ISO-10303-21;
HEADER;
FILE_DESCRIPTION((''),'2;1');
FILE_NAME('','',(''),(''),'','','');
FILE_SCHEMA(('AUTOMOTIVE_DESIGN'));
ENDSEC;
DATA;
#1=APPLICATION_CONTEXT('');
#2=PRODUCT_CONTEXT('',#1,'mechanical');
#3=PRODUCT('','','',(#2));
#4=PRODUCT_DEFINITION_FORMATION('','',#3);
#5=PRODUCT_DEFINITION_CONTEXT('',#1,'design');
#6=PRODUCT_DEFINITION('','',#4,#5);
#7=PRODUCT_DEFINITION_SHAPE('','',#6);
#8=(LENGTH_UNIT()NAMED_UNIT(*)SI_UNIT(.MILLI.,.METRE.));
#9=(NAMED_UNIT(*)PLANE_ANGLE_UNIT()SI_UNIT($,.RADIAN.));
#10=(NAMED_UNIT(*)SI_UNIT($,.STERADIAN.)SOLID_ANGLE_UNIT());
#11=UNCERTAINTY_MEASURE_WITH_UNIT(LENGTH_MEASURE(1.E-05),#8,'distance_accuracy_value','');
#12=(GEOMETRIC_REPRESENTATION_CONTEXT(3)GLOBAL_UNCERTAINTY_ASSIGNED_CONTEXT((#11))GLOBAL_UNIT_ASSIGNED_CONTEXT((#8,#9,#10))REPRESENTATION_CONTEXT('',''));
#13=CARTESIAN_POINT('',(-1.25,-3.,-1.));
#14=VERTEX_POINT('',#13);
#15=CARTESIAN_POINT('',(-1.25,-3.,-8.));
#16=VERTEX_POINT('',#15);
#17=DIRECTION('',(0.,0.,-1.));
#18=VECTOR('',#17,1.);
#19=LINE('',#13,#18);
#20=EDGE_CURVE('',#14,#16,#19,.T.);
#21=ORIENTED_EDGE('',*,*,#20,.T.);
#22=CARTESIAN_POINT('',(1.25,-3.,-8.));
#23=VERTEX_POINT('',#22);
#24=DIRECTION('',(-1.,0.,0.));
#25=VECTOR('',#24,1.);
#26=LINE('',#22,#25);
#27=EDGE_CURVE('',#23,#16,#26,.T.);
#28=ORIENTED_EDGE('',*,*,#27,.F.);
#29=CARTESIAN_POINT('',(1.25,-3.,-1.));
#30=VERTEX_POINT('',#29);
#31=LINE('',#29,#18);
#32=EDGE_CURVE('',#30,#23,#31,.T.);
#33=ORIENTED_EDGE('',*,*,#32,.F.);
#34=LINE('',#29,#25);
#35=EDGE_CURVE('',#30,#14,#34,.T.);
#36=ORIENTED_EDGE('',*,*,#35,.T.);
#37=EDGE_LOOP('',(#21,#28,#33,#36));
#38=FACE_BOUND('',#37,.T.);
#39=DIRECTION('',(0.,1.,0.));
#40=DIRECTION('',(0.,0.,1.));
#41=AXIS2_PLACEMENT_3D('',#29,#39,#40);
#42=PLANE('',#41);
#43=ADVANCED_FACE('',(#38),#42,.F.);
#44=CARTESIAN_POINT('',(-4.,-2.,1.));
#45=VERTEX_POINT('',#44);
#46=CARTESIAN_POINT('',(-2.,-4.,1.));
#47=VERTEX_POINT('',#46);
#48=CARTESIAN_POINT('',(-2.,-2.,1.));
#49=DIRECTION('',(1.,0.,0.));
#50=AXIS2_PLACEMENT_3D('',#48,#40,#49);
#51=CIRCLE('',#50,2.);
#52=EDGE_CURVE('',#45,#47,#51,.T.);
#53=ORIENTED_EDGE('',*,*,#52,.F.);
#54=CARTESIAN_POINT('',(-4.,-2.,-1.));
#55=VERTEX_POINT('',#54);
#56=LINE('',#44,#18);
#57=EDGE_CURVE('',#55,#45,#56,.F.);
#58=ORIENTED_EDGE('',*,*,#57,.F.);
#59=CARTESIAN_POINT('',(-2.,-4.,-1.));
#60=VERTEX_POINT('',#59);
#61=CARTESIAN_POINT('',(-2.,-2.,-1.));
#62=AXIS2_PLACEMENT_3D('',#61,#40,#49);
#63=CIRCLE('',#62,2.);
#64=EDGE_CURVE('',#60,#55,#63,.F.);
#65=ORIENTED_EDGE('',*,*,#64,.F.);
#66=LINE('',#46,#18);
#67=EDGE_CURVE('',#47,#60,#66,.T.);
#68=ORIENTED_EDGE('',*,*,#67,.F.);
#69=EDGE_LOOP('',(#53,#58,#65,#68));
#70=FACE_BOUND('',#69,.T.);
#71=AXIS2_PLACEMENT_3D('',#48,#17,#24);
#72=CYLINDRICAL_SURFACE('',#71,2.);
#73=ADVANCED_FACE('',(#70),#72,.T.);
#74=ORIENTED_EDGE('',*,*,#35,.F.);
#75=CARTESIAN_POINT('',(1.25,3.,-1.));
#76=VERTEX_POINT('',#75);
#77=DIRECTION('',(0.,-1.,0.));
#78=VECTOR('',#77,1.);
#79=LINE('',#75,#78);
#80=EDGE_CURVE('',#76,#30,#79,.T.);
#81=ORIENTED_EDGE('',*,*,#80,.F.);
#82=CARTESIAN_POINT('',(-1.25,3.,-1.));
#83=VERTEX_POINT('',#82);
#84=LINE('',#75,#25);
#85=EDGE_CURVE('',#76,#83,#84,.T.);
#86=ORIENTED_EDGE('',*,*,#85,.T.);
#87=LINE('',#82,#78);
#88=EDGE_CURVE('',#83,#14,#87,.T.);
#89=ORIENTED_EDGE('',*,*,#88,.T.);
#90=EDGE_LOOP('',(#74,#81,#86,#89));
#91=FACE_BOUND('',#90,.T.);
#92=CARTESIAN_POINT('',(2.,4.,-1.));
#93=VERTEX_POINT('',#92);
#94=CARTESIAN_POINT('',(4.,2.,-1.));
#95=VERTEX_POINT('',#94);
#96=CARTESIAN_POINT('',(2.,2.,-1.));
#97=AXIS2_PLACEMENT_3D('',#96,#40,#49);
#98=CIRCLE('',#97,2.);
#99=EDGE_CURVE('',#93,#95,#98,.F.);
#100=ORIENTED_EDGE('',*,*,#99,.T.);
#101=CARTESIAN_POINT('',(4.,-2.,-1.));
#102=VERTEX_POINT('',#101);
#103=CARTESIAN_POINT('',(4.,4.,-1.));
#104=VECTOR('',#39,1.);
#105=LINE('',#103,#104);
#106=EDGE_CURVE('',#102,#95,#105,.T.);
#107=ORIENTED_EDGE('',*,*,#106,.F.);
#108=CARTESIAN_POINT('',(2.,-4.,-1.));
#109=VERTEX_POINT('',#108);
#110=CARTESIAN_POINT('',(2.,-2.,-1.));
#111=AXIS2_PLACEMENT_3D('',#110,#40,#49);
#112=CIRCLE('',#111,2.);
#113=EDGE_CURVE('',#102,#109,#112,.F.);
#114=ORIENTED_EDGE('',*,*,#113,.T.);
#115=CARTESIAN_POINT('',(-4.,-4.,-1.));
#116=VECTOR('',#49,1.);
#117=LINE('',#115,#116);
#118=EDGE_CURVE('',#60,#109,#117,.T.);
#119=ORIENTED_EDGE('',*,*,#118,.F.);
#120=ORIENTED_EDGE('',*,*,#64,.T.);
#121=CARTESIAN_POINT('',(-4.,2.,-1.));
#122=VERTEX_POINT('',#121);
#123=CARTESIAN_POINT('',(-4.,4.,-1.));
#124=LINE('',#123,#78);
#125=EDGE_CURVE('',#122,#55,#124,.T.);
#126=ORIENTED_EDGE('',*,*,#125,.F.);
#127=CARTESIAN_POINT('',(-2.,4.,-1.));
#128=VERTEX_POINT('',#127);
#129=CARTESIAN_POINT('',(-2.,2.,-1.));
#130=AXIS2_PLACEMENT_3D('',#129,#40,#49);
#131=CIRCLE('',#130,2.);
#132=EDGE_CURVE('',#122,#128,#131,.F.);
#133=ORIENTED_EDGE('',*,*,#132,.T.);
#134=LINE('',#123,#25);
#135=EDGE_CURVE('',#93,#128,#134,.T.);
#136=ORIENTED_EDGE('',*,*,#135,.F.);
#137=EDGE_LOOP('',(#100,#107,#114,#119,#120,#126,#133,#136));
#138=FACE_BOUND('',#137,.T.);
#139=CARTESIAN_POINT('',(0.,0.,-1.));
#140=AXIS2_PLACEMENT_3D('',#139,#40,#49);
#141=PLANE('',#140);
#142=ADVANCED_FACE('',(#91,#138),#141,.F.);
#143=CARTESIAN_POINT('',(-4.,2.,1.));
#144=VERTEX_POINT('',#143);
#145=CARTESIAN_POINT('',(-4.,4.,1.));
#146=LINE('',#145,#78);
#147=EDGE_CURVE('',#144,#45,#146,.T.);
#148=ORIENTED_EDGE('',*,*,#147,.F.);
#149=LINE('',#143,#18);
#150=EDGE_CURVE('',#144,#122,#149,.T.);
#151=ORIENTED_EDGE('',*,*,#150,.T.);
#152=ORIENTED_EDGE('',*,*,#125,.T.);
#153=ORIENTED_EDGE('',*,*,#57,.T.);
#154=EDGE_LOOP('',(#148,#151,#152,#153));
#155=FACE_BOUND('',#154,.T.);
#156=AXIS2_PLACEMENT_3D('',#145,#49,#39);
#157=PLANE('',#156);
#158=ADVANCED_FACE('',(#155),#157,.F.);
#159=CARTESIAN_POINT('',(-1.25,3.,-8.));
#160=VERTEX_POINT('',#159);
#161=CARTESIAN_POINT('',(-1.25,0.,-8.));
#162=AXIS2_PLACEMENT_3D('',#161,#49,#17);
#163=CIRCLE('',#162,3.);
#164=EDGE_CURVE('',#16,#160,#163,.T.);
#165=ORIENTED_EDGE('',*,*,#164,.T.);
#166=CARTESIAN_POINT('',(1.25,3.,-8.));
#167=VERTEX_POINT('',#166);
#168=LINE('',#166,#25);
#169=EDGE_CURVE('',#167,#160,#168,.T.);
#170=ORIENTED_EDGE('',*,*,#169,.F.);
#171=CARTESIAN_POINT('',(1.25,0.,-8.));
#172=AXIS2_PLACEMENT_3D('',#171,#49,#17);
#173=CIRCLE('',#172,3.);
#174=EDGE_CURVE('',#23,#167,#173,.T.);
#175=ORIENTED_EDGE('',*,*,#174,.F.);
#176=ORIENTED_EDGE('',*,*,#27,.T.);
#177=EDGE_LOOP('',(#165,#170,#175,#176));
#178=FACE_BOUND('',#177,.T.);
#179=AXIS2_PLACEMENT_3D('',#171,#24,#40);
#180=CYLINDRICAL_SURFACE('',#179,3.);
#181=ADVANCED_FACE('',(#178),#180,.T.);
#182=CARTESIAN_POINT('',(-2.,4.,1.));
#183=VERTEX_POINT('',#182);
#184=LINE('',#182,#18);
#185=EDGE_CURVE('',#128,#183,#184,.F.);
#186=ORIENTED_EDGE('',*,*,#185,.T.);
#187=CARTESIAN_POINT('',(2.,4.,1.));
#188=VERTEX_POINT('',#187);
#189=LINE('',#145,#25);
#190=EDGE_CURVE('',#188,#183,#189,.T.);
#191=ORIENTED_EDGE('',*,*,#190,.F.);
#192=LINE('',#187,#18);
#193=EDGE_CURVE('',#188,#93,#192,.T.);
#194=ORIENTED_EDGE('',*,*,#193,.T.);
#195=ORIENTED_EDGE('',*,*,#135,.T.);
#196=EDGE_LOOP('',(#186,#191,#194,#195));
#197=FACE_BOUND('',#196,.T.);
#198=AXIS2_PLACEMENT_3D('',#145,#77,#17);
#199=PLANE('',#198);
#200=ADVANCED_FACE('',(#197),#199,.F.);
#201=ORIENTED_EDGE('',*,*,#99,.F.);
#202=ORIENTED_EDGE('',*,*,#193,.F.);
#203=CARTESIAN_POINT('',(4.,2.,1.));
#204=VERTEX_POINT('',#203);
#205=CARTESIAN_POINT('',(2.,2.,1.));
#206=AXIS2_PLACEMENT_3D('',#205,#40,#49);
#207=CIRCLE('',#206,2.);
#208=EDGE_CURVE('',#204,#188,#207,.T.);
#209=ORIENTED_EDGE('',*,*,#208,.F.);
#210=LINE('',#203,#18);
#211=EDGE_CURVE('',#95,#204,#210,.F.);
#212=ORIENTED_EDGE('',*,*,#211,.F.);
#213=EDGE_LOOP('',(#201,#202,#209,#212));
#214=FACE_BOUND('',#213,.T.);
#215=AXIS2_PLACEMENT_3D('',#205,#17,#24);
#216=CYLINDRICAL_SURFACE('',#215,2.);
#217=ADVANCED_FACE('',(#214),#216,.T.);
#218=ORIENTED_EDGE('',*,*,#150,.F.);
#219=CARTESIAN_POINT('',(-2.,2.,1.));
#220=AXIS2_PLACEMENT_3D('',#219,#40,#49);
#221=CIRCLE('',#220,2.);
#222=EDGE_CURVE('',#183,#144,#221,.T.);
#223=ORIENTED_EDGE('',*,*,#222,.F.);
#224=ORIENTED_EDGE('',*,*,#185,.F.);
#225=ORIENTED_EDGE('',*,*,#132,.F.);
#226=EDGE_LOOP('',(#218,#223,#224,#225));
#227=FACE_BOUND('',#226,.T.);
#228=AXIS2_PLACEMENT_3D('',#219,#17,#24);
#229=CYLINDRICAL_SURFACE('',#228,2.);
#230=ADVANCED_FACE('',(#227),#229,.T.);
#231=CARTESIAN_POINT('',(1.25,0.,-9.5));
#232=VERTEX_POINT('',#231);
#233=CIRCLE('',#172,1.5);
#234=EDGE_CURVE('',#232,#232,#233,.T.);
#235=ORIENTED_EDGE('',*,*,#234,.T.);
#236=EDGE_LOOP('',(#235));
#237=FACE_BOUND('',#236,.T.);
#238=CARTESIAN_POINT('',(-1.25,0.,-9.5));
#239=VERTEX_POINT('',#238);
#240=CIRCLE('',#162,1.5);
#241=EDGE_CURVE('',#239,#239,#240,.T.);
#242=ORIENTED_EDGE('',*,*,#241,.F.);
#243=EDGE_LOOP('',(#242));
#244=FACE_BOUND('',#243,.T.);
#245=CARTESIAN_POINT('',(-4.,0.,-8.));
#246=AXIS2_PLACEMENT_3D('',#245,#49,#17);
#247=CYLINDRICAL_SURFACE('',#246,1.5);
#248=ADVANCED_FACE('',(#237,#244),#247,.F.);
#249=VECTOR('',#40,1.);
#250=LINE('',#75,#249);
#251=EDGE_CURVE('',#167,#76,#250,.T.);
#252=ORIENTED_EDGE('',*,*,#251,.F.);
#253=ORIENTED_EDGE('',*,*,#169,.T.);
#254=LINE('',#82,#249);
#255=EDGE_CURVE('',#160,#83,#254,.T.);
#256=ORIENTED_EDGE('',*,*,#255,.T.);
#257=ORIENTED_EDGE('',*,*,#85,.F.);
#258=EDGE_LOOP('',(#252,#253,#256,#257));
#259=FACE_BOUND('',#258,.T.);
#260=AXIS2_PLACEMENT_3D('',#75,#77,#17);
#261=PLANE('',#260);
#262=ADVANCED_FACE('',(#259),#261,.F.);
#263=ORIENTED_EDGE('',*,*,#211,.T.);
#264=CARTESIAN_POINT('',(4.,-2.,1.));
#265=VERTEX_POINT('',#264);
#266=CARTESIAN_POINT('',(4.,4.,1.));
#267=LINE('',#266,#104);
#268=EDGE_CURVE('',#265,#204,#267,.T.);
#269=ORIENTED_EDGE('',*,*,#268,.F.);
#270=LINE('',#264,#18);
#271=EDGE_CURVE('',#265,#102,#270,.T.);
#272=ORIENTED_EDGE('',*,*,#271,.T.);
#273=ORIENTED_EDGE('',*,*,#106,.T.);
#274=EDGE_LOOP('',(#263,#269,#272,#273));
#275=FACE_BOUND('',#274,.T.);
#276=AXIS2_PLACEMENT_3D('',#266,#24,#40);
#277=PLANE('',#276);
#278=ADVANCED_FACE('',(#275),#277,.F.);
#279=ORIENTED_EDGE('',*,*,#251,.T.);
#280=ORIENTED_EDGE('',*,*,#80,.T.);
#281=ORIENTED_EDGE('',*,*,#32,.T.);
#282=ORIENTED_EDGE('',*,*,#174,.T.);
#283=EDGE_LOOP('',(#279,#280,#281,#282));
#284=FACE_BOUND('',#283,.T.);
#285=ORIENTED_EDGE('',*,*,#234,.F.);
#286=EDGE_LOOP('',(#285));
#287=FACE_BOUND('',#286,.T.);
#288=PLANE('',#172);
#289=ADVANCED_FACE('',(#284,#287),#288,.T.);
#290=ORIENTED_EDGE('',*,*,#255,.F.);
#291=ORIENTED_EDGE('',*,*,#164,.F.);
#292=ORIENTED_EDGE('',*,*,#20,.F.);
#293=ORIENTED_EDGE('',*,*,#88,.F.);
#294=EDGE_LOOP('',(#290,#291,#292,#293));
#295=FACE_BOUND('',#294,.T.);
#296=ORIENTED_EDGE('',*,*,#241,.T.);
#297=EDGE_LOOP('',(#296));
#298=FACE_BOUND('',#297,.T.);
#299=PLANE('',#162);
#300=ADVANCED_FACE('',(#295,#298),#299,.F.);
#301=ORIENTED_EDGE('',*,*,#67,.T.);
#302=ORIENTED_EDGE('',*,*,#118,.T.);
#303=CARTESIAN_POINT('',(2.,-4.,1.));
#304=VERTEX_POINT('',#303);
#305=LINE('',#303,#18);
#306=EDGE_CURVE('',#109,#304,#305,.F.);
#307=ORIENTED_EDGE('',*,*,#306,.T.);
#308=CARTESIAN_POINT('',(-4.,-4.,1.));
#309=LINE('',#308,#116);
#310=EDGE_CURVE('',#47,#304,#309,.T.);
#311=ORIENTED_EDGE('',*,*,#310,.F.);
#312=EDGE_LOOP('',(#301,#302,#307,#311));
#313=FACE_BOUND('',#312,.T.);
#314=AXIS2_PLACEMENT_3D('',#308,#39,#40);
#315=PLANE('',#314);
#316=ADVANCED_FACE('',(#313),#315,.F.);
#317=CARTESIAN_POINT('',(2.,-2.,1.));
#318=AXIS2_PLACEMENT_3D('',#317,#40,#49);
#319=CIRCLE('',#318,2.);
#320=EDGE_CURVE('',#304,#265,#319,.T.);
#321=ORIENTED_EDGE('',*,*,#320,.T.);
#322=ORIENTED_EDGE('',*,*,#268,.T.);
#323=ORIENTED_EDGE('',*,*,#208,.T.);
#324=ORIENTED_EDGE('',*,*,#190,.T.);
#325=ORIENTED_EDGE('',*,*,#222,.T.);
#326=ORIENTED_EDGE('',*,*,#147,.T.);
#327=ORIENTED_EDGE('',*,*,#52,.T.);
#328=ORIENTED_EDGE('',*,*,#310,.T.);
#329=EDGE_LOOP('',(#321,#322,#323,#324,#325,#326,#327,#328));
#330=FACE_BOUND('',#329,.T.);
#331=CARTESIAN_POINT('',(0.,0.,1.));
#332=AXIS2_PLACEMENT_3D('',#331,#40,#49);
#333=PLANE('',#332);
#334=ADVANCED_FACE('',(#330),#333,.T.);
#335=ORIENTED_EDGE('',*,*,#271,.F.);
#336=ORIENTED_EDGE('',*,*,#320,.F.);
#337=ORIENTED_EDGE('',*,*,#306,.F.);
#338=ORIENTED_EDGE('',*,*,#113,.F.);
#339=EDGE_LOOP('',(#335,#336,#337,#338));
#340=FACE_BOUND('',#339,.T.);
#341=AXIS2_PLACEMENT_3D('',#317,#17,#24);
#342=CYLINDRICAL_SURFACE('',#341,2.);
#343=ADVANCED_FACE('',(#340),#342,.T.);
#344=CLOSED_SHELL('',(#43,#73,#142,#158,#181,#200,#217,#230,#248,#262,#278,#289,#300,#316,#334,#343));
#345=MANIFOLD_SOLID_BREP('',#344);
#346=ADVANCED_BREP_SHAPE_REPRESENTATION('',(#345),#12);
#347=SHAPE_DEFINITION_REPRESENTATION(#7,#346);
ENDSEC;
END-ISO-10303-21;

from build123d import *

# Parameters (mm, degrees)
SKETCH1_W               = 8
SKETCH1_H               = 8
BOSS_EXTRUDE1_DEPTH     = 1
FILLET1_R               = 2
BOSS_EXTRUDE2_DEPTH     = 1.25
CUT_EXTRUDE1_DEPTH      = 13.369316877
CUT_EXTRUDE1_DEPTH_BACK = 13.369316877
SKETCH3_R               = 1.5


with BuildPart() as part:
    # Sketch1 → Boss-Extrude1 (new, symmetric)
    with BuildSketch(Plane.XY):
        Rectangle(SKETCH1_W, SKETCH1_H)
    extrude(amount=BOSS_EXTRUDE1_DEPTH, both=True)

    # Fillet1
    fillet1_edges = [part.edges().sort_by_distance(p)[0] for p in [
        (-4, 4, 0),
        (4, 4, 0),
        (4, -4, 0),
        (-4, -4, 0),
    ]]
    fillet(fillet1_edges, radius=FILLET1_R)

    # Sketch2 → Boss-Extrude2 (add, symmetric)
    with BuildSketch(Plane(origin=(0, 0, 0), x_dir=(0, 0, -1), z_dir=(1, 0, 0))):
        with BuildLine():
            Line((1, 3), (8, 3))
            ThreePointArc((8, 3), (11, 0), (8, -3))
            Line((8, -3), (1, -3))
            Line((1, -3), (1, 3))
        make_face()
    extrude(amount=BOSS_EXTRUDE2_DEPTH, both=True)

    # Sketch3 → Cut-Extrude1 (cut, two sides: drawn at the far end of the back side and taken through both)
    with BuildSketch(Plane(origin=(0, 0, 0), x_dir=(0, 0, -1), z_dir=(1, 0, 0)).offset(-CUT_EXTRUDE1_DEPTH_BACK)):
        with Locations((8, 0)):
            Circle(SKETCH3_R)
    extrude(amount=CUT_EXTRUDE1_DEPTH + CUT_EXTRUDE1_DEPTH_BACK, mode=Mode.SUBTRACT)


solid = part.part
